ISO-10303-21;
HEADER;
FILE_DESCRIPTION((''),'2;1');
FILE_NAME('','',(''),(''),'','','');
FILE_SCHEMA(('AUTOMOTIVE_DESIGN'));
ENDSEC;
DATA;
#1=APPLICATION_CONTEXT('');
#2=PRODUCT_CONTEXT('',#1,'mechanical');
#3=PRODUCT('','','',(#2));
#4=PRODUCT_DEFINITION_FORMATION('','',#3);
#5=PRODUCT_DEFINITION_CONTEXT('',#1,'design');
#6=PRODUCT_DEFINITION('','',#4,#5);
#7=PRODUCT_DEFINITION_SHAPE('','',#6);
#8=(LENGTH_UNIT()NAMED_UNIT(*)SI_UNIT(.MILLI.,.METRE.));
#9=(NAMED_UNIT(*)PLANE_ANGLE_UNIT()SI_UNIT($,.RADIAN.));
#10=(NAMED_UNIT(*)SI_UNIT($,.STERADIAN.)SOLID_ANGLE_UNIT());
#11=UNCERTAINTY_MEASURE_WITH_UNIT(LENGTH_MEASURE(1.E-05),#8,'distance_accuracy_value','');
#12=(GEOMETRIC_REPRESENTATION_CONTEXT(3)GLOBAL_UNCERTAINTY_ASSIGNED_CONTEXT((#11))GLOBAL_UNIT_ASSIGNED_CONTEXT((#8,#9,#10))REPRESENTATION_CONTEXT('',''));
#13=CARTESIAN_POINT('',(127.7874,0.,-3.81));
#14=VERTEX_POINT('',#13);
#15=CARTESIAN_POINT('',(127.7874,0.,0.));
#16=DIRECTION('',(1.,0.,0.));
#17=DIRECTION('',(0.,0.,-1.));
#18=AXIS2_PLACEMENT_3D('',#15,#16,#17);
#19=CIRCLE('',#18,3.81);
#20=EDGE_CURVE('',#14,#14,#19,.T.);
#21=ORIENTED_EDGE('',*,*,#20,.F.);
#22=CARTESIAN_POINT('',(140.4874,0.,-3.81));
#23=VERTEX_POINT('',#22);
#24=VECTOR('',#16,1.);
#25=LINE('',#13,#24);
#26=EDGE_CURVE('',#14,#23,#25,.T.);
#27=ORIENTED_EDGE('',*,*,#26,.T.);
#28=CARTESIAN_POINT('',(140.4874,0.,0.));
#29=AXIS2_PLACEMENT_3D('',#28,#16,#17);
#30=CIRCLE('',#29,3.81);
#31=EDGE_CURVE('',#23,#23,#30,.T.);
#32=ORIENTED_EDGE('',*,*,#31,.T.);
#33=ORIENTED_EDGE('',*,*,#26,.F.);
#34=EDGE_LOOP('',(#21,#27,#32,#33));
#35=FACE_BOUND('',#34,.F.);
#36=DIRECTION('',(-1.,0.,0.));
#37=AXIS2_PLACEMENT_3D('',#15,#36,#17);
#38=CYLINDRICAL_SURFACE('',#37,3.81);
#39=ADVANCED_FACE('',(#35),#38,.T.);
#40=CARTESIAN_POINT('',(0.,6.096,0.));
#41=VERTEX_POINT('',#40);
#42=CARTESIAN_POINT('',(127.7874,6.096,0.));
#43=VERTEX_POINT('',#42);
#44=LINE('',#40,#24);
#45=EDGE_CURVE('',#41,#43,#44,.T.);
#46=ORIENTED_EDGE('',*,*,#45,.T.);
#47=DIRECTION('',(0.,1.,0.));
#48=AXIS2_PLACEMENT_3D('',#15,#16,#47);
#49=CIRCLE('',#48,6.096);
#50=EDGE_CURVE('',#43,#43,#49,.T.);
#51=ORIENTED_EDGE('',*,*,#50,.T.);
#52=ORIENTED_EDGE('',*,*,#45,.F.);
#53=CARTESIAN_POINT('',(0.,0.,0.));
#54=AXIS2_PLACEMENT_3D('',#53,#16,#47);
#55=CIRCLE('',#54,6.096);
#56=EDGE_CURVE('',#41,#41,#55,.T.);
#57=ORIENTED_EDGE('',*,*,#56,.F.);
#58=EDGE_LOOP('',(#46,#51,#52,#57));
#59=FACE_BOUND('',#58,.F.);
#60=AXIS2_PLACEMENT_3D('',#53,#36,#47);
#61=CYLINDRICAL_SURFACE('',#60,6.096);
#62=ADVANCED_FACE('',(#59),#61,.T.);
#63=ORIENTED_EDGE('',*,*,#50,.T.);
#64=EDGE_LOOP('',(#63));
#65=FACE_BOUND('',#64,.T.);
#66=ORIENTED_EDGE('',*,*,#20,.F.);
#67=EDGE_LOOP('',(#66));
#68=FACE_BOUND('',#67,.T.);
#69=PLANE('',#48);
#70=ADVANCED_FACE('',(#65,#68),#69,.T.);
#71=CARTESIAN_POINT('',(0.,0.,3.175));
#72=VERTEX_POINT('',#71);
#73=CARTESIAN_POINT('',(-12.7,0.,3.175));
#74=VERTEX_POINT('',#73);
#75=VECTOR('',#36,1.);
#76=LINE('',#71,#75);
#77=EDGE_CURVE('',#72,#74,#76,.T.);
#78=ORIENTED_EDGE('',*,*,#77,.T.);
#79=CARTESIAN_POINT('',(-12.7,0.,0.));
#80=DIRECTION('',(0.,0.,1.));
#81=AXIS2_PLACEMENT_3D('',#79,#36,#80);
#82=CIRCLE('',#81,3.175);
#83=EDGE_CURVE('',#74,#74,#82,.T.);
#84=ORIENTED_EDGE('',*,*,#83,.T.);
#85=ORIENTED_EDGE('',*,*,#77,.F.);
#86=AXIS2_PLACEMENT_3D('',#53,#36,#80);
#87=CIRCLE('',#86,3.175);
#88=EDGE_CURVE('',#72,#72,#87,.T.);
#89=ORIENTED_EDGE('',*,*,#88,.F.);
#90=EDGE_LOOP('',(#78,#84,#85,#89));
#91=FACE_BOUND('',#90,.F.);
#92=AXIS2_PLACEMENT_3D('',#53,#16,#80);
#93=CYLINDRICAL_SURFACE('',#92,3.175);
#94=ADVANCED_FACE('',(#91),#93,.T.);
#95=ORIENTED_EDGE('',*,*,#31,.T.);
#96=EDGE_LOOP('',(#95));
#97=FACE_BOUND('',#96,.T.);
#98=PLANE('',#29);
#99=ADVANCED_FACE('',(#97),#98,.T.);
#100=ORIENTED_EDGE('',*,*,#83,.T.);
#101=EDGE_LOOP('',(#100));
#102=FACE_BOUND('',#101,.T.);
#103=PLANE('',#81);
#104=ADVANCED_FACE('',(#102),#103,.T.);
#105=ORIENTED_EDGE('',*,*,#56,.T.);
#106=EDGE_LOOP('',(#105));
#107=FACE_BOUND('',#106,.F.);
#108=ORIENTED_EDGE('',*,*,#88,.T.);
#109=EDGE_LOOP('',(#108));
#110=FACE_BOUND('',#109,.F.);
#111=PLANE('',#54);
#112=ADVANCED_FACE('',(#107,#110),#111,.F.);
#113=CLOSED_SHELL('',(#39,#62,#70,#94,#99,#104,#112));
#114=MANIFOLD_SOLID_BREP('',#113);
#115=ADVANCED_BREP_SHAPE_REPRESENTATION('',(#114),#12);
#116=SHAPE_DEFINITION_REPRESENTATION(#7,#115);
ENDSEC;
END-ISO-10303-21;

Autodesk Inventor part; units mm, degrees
ref_plane "YZ Plane" through (0, 0, 0) normal (1, 0, 0) x (0, 1, 0)
ref_plane "XZ Plane" through (0, 0, 0) normal (0, 1, 0) x (-1, 0, 0)
ref_plane "XY Plane" through (0, 0, 0) normal (0, 0, 1) x (1, 0, 0)
sketch "Sketch1" plane through (0, 0, 0) normal (1, 0, 0) x (0, 1, 0)
  circle A0 centre (0, 0) radius 6.096
  dimension "d0" = 12.192
extrude "Extrusion1" add sketch "Sketch1" along normal blind 127.7874
sketch "Sketch2" plane through (0, 0, 0) normal (-1, 0, 0) x (0, 0, 1)
  circle A0 centre (0, 0) radius 3.175
  circle A1 centre (0, 0) radius 3.175
  dimension "d3" = 6.35
extrude "Extrusion2" add sketch "Sketch2" along normal blind 12.7
sketch "Sketch3" plane through (127.7874, 0, 0) normal (1, 0, 0) x (0, 0, -1)
  circle A0 centre (0, 0) radius 3.81
  dimension "d6" = 7.62
extrude "Extrusion3" add sketch "Sketch3" along normal blind 12.7
properties part number "conveyor roller"
